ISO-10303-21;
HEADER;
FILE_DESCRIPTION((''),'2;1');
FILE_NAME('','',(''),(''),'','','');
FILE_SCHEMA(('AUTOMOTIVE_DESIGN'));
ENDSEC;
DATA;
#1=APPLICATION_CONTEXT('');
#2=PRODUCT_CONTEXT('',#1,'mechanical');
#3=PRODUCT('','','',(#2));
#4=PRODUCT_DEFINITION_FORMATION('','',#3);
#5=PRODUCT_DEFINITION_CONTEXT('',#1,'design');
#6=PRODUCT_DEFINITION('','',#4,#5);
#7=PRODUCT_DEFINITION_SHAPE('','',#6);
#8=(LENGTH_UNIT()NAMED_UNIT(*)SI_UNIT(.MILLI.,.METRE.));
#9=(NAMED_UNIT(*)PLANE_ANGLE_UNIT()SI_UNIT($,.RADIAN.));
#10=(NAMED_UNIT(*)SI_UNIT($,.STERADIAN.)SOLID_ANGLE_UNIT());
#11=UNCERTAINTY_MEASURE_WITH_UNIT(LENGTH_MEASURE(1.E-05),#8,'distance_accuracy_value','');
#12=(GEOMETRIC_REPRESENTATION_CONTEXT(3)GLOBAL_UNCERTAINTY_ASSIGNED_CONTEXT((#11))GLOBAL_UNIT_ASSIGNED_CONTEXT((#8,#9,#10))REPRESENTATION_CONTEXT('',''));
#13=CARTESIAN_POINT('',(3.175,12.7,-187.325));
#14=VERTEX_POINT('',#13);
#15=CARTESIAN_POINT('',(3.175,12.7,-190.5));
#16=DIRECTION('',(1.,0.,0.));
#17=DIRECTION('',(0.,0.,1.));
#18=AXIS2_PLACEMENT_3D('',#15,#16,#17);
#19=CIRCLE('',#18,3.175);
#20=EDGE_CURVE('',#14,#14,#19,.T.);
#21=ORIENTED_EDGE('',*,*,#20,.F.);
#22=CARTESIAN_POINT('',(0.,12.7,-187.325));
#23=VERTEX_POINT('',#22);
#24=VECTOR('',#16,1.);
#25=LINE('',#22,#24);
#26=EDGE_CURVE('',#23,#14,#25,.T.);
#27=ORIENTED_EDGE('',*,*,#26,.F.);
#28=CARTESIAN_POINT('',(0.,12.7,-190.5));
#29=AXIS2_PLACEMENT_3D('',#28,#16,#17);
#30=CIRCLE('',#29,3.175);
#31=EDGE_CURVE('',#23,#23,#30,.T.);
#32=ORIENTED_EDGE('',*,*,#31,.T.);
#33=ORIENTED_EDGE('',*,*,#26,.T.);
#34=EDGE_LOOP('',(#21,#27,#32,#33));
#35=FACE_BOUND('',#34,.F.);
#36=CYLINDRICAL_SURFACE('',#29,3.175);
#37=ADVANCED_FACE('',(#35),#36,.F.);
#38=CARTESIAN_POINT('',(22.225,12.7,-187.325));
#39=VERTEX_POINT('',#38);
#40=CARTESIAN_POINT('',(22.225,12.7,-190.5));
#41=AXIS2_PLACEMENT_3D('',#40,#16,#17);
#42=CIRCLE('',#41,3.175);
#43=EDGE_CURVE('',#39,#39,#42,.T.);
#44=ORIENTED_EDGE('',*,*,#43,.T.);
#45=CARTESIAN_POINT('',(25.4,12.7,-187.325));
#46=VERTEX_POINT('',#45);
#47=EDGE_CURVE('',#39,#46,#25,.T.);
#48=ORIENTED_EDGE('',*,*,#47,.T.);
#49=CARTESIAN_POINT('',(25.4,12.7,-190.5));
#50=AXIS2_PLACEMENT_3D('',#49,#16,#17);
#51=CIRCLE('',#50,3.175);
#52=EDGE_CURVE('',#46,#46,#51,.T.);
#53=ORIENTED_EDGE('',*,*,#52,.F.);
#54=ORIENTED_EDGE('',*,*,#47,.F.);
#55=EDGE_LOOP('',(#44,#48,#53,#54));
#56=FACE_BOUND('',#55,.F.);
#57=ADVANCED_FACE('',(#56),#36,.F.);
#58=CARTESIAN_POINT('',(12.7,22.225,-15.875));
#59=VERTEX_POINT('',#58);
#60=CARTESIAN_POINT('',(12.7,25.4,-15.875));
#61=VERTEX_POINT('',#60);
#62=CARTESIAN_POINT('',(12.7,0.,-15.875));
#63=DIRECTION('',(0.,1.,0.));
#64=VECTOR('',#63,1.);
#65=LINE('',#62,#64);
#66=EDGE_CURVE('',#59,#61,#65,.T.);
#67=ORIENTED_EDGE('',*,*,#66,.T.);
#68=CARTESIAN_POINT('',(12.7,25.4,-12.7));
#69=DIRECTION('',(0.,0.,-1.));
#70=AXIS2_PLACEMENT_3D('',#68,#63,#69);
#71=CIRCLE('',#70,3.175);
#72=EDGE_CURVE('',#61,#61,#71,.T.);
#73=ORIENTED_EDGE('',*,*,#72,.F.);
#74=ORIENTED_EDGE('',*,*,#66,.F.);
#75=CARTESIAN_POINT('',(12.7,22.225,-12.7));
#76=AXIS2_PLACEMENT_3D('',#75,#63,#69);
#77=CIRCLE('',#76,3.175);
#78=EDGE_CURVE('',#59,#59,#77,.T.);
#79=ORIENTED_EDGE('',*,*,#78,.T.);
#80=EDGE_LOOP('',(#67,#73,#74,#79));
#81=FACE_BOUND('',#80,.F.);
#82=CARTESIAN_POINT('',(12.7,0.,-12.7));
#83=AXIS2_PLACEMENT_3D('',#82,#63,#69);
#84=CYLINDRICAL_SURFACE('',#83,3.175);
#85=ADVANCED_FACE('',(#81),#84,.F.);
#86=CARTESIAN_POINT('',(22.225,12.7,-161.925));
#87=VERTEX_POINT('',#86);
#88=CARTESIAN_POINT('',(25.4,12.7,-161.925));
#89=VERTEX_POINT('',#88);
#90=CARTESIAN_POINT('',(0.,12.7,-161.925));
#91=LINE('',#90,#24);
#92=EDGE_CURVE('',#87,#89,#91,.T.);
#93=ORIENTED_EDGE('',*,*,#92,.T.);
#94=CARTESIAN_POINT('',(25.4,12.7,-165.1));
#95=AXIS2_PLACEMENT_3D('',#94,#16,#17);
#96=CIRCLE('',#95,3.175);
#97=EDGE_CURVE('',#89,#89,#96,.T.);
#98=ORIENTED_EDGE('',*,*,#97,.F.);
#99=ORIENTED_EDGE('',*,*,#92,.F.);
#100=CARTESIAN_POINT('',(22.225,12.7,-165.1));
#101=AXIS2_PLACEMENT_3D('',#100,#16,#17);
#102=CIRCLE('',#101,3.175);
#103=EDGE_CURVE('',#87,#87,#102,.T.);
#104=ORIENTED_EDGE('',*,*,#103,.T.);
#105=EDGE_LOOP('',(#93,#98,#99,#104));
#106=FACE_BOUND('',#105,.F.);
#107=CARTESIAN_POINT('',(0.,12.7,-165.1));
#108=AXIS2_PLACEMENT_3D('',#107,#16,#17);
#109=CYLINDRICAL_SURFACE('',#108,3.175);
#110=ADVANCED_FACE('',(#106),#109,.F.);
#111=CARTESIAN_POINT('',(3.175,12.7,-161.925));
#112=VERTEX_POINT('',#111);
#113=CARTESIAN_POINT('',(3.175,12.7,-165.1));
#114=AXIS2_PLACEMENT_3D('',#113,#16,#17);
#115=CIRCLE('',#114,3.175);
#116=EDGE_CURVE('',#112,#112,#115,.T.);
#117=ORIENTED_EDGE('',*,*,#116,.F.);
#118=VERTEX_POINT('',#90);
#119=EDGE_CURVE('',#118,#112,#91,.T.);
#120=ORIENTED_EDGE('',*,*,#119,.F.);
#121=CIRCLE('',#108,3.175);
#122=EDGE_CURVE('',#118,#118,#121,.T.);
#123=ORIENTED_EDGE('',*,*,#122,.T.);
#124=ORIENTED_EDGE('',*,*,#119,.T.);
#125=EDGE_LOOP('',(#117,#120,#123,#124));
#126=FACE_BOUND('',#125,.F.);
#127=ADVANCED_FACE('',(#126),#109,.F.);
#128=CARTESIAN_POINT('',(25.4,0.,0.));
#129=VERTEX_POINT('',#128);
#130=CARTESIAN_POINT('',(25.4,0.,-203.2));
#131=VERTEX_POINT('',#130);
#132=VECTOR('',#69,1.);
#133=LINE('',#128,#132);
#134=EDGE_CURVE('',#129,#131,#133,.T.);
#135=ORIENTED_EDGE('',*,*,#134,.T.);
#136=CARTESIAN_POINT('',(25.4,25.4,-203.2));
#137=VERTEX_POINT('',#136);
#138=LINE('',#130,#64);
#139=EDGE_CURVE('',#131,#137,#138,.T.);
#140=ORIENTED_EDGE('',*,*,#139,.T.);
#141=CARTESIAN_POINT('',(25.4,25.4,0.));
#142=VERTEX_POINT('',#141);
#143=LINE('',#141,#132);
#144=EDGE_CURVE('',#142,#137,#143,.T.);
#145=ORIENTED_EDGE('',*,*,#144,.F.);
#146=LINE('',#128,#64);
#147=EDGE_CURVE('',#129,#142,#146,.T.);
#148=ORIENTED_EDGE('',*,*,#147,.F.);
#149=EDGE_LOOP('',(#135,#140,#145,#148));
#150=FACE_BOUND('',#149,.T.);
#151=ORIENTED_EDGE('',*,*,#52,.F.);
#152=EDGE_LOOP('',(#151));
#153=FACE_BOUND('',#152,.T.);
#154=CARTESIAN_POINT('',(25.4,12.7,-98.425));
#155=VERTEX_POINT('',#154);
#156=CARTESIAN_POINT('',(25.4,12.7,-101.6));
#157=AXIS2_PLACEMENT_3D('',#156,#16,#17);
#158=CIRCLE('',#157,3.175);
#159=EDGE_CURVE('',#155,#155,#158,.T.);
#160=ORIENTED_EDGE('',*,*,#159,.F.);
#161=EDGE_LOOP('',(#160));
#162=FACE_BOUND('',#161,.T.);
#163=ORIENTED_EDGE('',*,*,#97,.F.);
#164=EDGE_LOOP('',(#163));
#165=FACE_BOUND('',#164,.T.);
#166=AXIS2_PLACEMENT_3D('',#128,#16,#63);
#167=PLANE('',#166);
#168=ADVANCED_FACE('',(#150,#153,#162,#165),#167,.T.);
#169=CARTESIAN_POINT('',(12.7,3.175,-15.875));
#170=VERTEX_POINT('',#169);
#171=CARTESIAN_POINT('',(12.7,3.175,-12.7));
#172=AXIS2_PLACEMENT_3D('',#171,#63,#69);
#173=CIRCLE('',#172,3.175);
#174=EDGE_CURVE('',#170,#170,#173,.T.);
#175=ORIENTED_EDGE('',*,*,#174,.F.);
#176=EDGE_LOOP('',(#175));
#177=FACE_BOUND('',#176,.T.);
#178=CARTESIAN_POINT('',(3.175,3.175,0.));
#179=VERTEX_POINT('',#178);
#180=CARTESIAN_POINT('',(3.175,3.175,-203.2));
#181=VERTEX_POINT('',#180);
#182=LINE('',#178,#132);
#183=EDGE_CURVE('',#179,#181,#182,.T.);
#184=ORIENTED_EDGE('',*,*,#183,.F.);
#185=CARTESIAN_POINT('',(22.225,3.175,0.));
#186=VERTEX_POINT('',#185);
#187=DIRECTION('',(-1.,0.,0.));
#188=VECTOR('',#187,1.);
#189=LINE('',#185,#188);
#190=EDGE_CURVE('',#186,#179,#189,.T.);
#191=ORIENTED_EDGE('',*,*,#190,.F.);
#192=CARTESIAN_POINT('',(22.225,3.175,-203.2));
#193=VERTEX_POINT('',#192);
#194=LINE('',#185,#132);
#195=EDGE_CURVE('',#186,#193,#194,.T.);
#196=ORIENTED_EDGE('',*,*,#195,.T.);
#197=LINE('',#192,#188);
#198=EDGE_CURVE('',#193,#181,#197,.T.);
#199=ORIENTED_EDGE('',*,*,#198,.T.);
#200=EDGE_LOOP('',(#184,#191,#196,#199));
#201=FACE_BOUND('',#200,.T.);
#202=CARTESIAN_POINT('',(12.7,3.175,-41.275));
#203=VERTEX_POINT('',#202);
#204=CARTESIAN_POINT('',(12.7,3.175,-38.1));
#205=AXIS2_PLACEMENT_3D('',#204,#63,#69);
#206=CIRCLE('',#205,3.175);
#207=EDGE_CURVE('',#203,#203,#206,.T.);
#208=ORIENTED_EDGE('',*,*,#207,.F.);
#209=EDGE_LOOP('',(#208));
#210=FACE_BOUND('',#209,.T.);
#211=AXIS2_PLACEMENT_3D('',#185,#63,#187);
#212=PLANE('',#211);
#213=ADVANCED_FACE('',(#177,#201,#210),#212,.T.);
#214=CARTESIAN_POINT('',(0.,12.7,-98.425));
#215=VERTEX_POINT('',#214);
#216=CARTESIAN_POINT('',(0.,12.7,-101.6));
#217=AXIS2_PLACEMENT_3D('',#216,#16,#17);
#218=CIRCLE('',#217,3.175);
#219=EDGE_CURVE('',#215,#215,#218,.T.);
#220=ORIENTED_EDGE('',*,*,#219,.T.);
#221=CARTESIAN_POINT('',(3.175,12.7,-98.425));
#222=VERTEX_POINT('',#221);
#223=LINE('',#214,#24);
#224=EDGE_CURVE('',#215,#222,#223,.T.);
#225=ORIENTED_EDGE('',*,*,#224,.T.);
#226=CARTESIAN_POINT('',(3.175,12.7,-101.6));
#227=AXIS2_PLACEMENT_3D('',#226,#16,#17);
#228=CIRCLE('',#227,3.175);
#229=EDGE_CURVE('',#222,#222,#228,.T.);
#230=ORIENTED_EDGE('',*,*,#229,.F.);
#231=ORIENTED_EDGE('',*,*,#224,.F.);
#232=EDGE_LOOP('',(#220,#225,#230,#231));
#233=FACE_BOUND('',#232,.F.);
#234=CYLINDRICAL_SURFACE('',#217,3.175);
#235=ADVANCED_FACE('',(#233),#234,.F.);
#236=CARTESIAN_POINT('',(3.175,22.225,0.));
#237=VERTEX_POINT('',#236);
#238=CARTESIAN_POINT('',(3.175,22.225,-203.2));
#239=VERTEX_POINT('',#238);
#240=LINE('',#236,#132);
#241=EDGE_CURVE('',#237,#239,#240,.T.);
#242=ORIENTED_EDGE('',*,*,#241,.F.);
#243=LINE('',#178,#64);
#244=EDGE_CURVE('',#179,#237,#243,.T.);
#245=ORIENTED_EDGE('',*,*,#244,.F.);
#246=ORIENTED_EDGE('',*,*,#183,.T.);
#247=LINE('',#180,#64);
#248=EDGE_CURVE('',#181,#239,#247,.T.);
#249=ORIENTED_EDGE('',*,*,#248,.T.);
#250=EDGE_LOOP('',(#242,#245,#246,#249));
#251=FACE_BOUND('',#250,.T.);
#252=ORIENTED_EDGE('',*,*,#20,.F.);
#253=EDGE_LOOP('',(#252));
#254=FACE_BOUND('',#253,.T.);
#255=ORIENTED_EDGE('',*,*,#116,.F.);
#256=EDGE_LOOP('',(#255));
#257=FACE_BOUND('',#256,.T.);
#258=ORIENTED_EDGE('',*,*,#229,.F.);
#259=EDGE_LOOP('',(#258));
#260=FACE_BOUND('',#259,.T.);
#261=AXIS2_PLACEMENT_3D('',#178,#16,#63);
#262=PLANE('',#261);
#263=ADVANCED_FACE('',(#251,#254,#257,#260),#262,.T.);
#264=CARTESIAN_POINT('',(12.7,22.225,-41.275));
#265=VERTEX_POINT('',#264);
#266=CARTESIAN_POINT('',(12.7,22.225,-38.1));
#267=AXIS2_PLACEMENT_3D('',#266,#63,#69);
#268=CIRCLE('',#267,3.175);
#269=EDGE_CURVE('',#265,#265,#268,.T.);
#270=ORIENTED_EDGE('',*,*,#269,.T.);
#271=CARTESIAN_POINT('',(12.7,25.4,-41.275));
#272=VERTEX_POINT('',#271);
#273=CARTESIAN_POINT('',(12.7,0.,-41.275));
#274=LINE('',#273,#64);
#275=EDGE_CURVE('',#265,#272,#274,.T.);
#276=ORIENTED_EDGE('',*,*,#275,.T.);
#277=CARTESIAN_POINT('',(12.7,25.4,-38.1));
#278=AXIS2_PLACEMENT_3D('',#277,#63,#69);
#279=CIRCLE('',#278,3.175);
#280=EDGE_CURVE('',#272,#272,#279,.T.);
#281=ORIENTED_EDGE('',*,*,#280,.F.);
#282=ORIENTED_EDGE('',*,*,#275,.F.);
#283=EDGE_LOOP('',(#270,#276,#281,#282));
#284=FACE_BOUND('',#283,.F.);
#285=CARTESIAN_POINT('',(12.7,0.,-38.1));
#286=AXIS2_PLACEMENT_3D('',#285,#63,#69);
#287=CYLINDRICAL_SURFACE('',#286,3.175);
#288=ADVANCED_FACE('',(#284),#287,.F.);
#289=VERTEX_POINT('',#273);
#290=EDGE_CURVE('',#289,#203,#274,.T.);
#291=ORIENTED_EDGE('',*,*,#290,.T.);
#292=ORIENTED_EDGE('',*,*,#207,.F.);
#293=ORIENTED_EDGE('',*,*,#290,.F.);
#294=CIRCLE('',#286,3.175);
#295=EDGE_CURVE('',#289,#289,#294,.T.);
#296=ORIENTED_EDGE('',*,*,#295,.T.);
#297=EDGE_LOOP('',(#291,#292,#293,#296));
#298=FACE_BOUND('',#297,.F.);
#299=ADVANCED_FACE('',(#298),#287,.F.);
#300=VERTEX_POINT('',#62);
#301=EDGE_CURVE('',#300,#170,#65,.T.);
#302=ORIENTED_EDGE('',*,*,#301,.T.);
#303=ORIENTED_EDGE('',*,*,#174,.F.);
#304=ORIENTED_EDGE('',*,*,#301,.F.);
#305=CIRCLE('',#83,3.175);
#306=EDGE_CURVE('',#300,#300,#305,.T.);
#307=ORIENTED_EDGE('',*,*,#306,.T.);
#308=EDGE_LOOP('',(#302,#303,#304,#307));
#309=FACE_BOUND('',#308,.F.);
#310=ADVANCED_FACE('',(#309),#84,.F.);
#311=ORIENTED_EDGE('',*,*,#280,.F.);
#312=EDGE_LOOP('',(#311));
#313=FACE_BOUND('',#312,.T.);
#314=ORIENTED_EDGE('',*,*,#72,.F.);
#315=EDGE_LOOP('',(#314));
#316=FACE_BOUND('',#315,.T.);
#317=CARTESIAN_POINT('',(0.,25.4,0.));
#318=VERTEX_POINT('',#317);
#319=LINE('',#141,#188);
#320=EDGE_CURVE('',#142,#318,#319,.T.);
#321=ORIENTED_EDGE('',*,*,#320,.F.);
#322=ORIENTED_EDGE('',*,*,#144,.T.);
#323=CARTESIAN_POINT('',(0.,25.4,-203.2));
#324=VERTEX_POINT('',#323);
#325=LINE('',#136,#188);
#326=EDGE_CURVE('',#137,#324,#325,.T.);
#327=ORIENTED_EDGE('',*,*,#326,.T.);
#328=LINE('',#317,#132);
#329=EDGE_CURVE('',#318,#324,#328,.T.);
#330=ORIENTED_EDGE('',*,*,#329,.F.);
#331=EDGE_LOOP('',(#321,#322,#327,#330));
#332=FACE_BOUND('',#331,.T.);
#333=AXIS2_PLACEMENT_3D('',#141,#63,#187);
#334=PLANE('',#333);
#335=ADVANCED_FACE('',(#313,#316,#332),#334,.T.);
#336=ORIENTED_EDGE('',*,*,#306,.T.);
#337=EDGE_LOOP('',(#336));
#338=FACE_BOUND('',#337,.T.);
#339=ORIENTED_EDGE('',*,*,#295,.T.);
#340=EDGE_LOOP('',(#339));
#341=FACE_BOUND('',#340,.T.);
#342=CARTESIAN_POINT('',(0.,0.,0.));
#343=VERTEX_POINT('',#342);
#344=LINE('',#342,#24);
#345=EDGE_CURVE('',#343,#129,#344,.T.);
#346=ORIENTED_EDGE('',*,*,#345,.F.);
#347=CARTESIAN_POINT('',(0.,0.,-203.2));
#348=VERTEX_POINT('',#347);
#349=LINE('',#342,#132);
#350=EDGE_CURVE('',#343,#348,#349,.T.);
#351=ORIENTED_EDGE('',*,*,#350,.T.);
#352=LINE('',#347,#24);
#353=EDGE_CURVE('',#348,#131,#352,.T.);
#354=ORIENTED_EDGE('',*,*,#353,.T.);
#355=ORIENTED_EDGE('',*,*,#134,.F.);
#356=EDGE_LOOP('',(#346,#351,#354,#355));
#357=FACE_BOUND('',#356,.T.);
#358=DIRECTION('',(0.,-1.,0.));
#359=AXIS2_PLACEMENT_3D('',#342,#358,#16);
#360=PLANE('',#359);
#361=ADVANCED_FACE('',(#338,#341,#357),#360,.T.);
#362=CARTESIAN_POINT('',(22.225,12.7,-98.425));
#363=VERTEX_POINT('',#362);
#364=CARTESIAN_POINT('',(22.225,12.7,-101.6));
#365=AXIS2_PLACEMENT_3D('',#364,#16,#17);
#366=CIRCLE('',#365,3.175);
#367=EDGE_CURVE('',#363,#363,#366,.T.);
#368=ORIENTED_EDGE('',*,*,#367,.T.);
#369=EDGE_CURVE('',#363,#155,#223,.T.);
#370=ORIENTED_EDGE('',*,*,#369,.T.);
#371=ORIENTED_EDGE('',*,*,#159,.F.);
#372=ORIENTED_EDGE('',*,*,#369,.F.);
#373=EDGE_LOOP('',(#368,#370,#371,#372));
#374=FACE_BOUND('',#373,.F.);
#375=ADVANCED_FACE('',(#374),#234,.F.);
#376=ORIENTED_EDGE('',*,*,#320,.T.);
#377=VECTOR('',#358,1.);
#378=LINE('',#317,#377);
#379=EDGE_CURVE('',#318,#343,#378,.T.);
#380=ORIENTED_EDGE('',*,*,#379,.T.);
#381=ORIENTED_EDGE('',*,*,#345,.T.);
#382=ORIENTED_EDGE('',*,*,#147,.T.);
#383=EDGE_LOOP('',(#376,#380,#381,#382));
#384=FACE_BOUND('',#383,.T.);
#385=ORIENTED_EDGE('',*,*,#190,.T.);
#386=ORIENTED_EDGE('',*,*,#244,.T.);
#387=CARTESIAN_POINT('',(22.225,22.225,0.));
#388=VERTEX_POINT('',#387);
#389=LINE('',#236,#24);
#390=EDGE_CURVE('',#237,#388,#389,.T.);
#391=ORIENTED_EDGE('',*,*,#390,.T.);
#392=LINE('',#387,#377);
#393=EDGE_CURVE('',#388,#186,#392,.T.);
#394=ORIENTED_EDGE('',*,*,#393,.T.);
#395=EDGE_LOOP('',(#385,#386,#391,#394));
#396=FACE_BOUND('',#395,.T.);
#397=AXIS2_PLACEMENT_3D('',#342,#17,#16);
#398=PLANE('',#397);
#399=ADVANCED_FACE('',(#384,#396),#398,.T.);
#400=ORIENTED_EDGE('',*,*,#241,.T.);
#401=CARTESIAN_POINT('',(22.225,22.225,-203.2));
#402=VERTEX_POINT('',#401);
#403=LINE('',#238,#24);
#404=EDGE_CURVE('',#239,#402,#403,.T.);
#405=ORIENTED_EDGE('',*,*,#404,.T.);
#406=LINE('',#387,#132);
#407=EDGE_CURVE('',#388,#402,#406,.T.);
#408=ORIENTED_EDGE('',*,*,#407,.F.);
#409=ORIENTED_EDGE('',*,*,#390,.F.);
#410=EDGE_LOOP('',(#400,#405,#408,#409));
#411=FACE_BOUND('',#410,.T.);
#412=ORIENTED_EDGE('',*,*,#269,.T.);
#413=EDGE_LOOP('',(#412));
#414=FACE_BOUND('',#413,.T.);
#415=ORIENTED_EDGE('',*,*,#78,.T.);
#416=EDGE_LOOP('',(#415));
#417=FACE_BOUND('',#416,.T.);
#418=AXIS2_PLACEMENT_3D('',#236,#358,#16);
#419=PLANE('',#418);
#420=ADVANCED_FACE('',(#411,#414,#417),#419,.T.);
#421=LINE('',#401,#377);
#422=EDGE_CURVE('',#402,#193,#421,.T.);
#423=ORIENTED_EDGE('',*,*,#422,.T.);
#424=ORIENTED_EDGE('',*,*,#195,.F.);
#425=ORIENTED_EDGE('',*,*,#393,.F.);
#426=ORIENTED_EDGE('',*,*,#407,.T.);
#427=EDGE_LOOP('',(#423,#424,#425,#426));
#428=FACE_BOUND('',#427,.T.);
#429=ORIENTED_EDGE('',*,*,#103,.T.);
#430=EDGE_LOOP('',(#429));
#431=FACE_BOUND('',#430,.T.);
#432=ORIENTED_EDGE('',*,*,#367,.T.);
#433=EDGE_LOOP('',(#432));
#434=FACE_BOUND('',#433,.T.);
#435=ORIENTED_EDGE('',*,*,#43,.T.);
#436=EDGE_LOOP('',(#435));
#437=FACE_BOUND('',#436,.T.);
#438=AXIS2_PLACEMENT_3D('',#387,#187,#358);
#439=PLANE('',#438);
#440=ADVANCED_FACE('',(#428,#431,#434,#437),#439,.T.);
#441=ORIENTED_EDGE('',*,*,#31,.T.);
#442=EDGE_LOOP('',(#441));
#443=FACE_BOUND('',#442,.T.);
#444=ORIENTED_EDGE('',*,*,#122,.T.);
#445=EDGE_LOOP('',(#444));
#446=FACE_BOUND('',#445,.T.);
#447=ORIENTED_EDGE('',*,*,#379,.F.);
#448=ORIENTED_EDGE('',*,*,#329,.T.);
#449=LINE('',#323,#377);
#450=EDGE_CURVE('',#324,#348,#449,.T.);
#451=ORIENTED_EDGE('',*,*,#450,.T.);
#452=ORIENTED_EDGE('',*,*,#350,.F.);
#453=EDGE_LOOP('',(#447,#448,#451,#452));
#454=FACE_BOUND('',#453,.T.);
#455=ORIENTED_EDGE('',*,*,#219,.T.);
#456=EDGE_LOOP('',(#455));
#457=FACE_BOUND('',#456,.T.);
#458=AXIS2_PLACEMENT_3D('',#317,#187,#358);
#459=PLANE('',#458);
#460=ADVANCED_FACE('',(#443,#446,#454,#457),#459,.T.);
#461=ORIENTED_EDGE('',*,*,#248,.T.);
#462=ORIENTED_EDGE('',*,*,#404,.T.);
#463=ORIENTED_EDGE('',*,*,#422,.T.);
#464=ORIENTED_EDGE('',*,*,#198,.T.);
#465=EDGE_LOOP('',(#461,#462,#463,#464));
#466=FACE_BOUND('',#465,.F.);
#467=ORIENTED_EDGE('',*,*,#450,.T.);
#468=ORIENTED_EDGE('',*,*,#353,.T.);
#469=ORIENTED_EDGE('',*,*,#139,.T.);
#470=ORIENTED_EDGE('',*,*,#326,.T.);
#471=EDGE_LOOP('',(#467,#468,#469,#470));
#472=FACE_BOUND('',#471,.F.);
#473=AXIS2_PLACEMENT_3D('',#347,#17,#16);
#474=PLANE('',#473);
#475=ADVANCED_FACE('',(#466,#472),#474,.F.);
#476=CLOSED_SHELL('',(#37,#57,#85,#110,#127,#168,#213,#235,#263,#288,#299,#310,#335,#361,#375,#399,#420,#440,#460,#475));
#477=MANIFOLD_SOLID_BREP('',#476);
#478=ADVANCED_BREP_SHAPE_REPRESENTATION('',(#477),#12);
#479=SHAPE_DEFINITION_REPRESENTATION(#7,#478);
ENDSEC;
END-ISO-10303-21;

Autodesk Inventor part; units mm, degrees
ref_plane "YZ Plane" through (0, 0, 0) normal (1, 0, 0) x (0, 1, 0)
ref_plane "XZ Plane" through (0, 0, 0) normal (0, 1, 0) x (-1, 0, 0)
ref_plane "XY Plane" through (0, 0, 0) normal (0, 0, 1) x (1, 0, 0)
sketch "Sketch1" plane through (0, 0, 0) normal (0, 0, 1) x (1, 0, 0)
  line L0 (0, 0) -> (25.4, 0)
  line L1 (25.4, 0) -> (25.4, 25.4)
  line L2 (25.4, 25.4) -> (0, 25.4)
  line L3 (0, 25.4) -> (0, 0)
  line L4 (3.175, 22.225) -> (22.225, 22.225)
  line L5 (22.225, 22.225) -> (22.225, 3.175)
  line L6 (22.225, 3.175) -> (3.175, 3.175)
  line L7 (3.175, 3.175) -> (3.175, 22.225)
  dimension "d0" = 25.4
  dimension "d1" = 25.4
  dimension "d2" = 3.175
extrude "Extrusion1" add sketch "Sketch1" against normal blind 203.2
sketch "Sketch2" plane through (0, 0, 0) normal (-1, 0, 0) x (0, 0, 1)
  line L0 (-203.2, 25.4) -> (-203.2, 0) projected
  line L1 (0, 25.4) -> (-203.2, 25.4) projected
  point P0 (-190.5, 12.7)
  point P1 (-165.1, 12.7)
  point P2 (-101.6, 12.7)
  dimension "d5" = 12.7
  dimension "d6" = 25.4
  dimension "d7" = 12.7
hole "Hole1" at (0, 12.7, -190.5) at (0, 12.7, -165.1) at (0, 12.7, -101.6) direction (1, 0, 0) diameter 6.35 depth 25.4 tip angle 118
sketch "Sketch3" plane through (0, 0, 0) normal (0, -1, 0) x (1, 0, 0)
  line L0 (0, 0) -> (25.4, 0) projected
  point P0 (12.7, -12.7)
  point P1 (12.7, -38.1)
  dimension "d15" = 25.4
  dimension "d16" = 12.7
hole "Hole2" at (12.7, 0, -12.7) at (12.7, 0, -38.1) direction (0, 1, 0) diameter 6.35 depth 25.4 tip angle 118
properties part number "towermiddle8inbrace"
